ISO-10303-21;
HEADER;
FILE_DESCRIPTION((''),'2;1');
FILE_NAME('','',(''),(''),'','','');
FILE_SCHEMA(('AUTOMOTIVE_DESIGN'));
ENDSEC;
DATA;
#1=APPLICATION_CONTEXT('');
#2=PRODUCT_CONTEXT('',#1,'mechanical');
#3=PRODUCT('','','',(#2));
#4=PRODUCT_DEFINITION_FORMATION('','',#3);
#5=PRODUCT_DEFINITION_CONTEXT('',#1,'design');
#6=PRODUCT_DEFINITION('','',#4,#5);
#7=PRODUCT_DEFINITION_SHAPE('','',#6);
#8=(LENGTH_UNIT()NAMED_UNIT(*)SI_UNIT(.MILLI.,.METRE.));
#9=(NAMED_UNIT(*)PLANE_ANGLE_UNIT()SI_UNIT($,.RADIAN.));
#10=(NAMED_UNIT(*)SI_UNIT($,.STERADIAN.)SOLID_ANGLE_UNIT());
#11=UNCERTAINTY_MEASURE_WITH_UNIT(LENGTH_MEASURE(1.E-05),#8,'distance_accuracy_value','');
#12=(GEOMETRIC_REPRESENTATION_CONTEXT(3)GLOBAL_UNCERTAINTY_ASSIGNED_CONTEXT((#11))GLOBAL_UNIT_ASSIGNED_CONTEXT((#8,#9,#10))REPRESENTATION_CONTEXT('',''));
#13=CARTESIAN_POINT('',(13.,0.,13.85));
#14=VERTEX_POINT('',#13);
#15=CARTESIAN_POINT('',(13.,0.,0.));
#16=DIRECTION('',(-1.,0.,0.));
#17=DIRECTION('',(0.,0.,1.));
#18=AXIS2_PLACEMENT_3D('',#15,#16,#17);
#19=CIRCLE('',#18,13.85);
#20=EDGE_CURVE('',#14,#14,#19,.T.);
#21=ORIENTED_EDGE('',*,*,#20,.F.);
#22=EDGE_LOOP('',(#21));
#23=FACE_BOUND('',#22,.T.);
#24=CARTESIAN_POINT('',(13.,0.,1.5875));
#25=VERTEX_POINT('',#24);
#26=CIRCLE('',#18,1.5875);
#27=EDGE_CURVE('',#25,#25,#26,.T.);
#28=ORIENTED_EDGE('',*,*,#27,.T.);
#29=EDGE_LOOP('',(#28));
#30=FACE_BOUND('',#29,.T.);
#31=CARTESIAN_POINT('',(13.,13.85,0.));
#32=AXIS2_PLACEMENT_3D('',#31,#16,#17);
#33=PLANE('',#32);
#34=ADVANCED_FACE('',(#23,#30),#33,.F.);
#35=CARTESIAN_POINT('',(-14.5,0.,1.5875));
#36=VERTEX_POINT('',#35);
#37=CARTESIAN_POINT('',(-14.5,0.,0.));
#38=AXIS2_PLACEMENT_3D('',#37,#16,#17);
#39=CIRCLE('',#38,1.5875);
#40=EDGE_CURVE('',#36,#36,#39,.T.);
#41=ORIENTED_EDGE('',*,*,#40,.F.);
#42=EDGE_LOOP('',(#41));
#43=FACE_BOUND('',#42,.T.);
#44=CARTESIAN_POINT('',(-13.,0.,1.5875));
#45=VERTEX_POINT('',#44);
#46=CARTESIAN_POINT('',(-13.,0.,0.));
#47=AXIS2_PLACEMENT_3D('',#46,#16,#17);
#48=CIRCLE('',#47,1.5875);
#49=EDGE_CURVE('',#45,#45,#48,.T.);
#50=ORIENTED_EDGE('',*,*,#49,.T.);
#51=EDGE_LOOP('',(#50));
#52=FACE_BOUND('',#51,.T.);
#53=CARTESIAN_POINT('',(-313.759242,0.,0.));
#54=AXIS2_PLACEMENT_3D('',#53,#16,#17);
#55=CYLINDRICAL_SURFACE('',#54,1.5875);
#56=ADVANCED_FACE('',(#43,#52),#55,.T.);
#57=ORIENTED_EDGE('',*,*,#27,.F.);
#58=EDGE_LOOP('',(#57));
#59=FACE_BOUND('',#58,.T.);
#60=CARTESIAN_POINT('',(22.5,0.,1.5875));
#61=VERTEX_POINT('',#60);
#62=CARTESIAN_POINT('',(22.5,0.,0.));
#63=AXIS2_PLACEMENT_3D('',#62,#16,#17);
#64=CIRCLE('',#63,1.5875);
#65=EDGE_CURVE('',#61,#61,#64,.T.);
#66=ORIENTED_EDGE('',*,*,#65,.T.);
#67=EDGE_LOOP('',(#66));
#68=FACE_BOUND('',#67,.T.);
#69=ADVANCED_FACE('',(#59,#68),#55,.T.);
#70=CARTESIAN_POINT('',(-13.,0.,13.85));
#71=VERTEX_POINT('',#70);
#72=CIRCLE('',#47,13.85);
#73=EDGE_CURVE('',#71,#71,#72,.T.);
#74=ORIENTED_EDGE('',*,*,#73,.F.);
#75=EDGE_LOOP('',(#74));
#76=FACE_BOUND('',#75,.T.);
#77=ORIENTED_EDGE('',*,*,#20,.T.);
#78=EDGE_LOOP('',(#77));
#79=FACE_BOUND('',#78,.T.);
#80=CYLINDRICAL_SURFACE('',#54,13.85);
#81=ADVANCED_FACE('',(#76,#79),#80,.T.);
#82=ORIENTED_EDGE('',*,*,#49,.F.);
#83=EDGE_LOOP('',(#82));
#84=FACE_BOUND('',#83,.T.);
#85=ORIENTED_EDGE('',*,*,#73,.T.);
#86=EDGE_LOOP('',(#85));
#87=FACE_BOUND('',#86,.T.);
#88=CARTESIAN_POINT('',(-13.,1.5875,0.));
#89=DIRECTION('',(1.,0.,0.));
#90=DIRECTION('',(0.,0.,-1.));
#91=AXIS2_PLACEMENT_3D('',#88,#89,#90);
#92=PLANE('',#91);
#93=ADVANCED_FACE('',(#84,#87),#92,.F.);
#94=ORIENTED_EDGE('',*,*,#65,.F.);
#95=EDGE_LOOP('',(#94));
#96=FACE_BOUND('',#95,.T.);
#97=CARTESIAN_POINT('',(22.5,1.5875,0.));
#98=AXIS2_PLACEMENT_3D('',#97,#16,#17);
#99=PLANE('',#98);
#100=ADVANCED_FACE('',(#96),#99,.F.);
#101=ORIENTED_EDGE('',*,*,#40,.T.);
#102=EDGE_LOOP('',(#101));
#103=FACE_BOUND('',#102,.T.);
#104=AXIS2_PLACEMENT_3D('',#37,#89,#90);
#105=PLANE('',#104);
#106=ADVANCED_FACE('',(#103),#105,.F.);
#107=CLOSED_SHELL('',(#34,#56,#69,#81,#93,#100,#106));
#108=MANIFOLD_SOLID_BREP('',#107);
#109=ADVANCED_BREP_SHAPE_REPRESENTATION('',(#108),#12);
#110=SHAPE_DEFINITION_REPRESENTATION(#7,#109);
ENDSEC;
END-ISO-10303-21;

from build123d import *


with BuildPart() as part:
    # Sketch1 → Revolve1 (revolve)
    with BuildSketch(Plane.XY):
        Polygon((-14.5, 0), (-14.5, 1.5875), (-13, 1.5875), (-13, 13.85), (13, 13.85), (13, 1.5875), (22.5, 1.5875), (22.5, 0), align=None)
    revolve(axis=Axis((-313.759242266, 0, 0), (1, 0, 0)))


solid = part.part
